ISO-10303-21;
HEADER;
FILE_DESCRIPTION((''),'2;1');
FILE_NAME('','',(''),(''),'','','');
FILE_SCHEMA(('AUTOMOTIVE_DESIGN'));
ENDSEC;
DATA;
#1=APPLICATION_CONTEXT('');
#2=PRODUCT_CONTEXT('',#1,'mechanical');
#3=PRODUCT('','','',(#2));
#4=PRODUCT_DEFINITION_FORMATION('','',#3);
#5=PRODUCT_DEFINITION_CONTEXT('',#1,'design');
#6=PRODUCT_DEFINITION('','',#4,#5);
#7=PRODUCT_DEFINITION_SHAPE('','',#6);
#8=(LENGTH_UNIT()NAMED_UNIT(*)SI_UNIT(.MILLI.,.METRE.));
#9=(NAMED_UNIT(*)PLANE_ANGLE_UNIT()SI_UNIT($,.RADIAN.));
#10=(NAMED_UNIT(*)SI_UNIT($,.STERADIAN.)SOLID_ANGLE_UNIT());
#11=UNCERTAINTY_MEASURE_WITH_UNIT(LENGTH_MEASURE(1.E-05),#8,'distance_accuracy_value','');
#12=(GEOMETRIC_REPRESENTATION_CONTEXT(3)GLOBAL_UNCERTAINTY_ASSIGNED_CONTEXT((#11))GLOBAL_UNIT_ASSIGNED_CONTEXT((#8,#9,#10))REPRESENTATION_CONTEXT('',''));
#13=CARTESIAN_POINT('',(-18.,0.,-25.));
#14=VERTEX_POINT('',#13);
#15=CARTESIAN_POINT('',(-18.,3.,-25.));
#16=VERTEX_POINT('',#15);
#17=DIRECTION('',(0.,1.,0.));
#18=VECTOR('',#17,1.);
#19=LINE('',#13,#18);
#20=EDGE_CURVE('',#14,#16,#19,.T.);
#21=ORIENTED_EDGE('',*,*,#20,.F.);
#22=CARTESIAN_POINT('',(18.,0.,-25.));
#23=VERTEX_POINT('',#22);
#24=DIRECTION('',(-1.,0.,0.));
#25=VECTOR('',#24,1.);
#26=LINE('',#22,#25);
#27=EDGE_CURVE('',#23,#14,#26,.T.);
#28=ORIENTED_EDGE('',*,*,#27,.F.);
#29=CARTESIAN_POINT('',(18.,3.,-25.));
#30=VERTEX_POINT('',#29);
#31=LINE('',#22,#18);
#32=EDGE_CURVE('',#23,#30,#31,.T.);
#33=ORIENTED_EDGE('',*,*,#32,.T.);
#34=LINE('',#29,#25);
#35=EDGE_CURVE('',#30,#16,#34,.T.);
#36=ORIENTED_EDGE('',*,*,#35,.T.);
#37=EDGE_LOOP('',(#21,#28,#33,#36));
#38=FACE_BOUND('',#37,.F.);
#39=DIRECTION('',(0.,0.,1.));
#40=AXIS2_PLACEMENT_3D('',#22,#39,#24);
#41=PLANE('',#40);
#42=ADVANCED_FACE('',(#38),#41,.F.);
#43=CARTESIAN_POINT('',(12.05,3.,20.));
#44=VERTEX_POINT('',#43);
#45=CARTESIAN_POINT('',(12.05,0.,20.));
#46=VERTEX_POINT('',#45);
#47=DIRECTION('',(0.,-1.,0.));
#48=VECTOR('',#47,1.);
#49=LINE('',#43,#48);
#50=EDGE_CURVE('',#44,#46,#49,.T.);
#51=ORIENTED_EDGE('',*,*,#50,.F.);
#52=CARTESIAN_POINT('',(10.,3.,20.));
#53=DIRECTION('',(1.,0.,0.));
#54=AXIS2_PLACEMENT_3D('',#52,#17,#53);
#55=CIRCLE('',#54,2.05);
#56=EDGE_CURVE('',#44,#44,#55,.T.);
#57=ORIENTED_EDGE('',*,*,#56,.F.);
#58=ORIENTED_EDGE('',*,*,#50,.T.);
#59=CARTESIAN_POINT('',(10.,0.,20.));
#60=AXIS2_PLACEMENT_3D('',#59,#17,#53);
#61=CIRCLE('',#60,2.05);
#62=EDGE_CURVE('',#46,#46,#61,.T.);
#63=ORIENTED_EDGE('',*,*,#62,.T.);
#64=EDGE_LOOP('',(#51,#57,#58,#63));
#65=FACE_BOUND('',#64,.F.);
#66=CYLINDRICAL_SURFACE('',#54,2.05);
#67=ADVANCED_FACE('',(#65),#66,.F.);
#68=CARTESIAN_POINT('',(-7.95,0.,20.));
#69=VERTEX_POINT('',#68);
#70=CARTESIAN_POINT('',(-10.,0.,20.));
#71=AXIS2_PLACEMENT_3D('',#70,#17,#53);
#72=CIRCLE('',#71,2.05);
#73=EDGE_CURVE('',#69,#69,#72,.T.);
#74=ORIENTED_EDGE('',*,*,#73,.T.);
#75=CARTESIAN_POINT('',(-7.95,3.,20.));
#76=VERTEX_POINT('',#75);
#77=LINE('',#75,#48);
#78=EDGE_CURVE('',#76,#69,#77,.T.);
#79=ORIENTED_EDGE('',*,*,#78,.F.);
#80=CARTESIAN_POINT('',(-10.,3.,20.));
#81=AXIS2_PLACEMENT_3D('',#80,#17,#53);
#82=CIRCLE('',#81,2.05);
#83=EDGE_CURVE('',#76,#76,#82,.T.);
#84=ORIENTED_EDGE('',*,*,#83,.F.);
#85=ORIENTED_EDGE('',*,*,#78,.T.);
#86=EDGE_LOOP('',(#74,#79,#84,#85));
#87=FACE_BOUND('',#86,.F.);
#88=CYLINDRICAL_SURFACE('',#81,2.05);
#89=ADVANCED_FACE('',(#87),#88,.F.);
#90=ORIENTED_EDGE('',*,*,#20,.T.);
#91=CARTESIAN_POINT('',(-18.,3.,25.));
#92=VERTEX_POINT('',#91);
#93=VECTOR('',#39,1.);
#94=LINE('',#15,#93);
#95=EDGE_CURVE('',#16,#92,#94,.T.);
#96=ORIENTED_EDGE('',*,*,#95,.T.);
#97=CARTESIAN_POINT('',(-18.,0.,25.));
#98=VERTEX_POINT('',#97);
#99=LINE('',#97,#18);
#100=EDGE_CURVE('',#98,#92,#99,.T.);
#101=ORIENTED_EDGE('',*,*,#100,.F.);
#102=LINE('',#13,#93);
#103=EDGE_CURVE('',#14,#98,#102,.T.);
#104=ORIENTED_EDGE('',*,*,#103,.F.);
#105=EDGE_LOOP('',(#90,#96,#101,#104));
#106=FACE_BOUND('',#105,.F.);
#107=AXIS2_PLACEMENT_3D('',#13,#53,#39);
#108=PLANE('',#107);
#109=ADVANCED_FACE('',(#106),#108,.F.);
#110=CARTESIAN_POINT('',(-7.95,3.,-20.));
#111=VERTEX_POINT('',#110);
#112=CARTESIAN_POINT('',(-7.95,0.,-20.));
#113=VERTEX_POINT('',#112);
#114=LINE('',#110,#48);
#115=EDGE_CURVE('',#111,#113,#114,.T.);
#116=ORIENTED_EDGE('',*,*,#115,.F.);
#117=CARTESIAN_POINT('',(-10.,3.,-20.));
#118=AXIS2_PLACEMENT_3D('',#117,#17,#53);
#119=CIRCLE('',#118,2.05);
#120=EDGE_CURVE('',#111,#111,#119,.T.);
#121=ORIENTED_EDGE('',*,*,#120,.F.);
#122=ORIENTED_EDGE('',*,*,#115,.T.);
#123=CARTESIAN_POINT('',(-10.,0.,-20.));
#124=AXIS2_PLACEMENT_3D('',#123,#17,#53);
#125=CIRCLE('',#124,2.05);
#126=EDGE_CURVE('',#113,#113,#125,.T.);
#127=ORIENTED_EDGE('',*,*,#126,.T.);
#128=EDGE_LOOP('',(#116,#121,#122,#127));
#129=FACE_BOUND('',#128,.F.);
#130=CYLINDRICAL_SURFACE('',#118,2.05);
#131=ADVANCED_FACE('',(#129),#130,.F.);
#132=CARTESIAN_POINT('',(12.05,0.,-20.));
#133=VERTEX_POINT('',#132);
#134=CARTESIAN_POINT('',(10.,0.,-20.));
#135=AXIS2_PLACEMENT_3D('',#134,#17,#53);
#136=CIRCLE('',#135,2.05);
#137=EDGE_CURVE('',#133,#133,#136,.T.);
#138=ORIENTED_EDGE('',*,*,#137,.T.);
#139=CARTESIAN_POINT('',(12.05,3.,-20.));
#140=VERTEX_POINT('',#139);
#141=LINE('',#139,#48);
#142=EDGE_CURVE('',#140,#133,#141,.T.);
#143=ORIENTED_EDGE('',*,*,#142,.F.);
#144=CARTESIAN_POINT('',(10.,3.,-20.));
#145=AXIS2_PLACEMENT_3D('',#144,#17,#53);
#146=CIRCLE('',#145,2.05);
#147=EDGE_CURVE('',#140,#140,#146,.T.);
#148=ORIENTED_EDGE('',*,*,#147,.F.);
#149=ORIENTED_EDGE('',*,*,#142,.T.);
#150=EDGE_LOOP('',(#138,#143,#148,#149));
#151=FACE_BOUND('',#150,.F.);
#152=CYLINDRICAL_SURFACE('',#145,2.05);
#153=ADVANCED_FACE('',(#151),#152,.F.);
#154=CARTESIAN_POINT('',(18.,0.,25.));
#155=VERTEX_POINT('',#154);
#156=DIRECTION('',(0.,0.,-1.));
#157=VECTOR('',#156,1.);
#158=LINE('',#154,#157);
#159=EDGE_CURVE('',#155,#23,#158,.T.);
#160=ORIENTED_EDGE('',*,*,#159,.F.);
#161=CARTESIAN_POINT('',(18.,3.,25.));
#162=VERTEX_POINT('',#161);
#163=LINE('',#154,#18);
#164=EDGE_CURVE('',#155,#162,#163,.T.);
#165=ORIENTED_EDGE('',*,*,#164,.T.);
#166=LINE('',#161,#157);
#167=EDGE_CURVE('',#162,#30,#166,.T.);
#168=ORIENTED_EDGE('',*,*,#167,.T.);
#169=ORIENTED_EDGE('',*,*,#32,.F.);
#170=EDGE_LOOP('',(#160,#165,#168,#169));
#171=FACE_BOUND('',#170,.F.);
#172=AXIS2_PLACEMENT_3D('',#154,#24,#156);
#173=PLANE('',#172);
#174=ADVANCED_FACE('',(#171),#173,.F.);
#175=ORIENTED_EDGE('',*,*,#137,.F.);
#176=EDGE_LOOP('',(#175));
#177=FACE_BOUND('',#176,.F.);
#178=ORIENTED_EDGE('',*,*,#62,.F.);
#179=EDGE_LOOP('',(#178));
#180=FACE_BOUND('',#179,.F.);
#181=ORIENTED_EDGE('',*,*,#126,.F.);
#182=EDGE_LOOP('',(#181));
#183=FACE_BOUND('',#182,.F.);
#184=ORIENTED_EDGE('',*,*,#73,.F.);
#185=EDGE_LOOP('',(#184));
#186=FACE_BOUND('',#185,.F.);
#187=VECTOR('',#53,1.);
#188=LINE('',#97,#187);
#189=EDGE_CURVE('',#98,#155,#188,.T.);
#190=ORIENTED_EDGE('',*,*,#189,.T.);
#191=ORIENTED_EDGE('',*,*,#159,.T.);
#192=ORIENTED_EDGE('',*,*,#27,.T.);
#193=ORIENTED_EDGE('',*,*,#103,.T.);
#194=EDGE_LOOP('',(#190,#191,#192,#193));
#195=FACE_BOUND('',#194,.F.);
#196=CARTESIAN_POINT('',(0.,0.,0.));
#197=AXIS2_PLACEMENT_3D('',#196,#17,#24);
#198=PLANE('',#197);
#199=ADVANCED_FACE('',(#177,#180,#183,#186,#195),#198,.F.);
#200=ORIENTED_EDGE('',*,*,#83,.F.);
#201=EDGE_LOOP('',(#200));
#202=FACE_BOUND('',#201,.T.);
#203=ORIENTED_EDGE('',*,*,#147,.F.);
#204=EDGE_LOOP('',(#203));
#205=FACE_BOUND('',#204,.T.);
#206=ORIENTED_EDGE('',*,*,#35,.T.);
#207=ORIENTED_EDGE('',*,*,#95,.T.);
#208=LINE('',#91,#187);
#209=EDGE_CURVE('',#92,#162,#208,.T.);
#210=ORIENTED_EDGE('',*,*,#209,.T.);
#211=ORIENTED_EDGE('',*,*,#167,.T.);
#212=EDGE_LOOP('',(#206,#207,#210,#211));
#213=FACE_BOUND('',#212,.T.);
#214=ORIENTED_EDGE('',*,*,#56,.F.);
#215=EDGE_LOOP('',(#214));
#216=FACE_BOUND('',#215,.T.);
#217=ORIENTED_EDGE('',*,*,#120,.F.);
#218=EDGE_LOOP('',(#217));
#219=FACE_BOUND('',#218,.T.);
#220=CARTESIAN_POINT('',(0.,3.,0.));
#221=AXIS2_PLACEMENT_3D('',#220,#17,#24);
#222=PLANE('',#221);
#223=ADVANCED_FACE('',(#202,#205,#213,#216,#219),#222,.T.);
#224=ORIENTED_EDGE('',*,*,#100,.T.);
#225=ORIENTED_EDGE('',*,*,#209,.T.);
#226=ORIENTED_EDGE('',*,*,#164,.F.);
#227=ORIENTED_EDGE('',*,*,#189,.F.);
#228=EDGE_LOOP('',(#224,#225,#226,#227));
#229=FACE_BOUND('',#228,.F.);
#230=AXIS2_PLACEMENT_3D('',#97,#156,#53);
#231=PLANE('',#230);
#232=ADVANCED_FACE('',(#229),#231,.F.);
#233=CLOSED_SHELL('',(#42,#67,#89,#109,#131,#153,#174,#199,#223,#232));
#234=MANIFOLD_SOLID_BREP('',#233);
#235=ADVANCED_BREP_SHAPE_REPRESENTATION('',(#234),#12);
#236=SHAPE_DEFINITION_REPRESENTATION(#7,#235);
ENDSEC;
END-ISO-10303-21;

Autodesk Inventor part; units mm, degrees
ref_plane "YZ Plane" through (0, 0, 0) normal (1, 0, 0) x (0, 1, 0)
ref_plane "XZ Plane" through (0, 0, 0) normal (0, 1, 0) x (-1, 0, 0)
ref_plane "XY Plane" through (0, 0, 0) normal (0, 0, 1) x (1, 0, 0)
sketch "Sketch1" plane through (0, 0, 0) normal (0, 1, 0) x (-1, 0, 0)
  line L0 (18, 25) -> (-18, 25)
  line L1 (-18, 25) -> (-18, -25)
  line L2 (-18, -25) -> (18, -25)
  line L3 (18, -25) -> (18, 25)
  line L4 (18, 25) -> (-18, -25) construction
  line L5 (-18, 25) -> (18, -25) construction
  point P0 (0, 0)
  dimension "d0" = 36
  dimension "d1" = 50
extrude "Extrusion1" add sketch "Sketch1" along normal blind 3
sketch "Sketch2" plane through (0, 3, 0) normal (0, 1, 0) x (1, 0, 0)
  circle A0 centre (-10, 20) radius 2.05
  circle A1 centre (10, 20) radius 2.05
  circle A2 centre (-10, -20) radius 2.05
  circle A3 centre (10, -20) radius 2.05
  point P0 (0, 0)
  dimension "d4" = 4.1
  dimension "d5" = 4.1
  dimension "d6" = 4.1
  dimension "d7" = 4.1
  dimension "d8" = 10
  dimension "d9" = 10
  dimension "d10" = 10
  dimension "d11" = 10
  dimension "d12" = 20
  dimension "d13" = 20
  dimension "d14" = 20
  dimension "d15" = 20
extrude "Extrusion2" cut sketch "Sketch2" against normal blind 3
properties part number "nozzle_case" material "ABS Plastic"
